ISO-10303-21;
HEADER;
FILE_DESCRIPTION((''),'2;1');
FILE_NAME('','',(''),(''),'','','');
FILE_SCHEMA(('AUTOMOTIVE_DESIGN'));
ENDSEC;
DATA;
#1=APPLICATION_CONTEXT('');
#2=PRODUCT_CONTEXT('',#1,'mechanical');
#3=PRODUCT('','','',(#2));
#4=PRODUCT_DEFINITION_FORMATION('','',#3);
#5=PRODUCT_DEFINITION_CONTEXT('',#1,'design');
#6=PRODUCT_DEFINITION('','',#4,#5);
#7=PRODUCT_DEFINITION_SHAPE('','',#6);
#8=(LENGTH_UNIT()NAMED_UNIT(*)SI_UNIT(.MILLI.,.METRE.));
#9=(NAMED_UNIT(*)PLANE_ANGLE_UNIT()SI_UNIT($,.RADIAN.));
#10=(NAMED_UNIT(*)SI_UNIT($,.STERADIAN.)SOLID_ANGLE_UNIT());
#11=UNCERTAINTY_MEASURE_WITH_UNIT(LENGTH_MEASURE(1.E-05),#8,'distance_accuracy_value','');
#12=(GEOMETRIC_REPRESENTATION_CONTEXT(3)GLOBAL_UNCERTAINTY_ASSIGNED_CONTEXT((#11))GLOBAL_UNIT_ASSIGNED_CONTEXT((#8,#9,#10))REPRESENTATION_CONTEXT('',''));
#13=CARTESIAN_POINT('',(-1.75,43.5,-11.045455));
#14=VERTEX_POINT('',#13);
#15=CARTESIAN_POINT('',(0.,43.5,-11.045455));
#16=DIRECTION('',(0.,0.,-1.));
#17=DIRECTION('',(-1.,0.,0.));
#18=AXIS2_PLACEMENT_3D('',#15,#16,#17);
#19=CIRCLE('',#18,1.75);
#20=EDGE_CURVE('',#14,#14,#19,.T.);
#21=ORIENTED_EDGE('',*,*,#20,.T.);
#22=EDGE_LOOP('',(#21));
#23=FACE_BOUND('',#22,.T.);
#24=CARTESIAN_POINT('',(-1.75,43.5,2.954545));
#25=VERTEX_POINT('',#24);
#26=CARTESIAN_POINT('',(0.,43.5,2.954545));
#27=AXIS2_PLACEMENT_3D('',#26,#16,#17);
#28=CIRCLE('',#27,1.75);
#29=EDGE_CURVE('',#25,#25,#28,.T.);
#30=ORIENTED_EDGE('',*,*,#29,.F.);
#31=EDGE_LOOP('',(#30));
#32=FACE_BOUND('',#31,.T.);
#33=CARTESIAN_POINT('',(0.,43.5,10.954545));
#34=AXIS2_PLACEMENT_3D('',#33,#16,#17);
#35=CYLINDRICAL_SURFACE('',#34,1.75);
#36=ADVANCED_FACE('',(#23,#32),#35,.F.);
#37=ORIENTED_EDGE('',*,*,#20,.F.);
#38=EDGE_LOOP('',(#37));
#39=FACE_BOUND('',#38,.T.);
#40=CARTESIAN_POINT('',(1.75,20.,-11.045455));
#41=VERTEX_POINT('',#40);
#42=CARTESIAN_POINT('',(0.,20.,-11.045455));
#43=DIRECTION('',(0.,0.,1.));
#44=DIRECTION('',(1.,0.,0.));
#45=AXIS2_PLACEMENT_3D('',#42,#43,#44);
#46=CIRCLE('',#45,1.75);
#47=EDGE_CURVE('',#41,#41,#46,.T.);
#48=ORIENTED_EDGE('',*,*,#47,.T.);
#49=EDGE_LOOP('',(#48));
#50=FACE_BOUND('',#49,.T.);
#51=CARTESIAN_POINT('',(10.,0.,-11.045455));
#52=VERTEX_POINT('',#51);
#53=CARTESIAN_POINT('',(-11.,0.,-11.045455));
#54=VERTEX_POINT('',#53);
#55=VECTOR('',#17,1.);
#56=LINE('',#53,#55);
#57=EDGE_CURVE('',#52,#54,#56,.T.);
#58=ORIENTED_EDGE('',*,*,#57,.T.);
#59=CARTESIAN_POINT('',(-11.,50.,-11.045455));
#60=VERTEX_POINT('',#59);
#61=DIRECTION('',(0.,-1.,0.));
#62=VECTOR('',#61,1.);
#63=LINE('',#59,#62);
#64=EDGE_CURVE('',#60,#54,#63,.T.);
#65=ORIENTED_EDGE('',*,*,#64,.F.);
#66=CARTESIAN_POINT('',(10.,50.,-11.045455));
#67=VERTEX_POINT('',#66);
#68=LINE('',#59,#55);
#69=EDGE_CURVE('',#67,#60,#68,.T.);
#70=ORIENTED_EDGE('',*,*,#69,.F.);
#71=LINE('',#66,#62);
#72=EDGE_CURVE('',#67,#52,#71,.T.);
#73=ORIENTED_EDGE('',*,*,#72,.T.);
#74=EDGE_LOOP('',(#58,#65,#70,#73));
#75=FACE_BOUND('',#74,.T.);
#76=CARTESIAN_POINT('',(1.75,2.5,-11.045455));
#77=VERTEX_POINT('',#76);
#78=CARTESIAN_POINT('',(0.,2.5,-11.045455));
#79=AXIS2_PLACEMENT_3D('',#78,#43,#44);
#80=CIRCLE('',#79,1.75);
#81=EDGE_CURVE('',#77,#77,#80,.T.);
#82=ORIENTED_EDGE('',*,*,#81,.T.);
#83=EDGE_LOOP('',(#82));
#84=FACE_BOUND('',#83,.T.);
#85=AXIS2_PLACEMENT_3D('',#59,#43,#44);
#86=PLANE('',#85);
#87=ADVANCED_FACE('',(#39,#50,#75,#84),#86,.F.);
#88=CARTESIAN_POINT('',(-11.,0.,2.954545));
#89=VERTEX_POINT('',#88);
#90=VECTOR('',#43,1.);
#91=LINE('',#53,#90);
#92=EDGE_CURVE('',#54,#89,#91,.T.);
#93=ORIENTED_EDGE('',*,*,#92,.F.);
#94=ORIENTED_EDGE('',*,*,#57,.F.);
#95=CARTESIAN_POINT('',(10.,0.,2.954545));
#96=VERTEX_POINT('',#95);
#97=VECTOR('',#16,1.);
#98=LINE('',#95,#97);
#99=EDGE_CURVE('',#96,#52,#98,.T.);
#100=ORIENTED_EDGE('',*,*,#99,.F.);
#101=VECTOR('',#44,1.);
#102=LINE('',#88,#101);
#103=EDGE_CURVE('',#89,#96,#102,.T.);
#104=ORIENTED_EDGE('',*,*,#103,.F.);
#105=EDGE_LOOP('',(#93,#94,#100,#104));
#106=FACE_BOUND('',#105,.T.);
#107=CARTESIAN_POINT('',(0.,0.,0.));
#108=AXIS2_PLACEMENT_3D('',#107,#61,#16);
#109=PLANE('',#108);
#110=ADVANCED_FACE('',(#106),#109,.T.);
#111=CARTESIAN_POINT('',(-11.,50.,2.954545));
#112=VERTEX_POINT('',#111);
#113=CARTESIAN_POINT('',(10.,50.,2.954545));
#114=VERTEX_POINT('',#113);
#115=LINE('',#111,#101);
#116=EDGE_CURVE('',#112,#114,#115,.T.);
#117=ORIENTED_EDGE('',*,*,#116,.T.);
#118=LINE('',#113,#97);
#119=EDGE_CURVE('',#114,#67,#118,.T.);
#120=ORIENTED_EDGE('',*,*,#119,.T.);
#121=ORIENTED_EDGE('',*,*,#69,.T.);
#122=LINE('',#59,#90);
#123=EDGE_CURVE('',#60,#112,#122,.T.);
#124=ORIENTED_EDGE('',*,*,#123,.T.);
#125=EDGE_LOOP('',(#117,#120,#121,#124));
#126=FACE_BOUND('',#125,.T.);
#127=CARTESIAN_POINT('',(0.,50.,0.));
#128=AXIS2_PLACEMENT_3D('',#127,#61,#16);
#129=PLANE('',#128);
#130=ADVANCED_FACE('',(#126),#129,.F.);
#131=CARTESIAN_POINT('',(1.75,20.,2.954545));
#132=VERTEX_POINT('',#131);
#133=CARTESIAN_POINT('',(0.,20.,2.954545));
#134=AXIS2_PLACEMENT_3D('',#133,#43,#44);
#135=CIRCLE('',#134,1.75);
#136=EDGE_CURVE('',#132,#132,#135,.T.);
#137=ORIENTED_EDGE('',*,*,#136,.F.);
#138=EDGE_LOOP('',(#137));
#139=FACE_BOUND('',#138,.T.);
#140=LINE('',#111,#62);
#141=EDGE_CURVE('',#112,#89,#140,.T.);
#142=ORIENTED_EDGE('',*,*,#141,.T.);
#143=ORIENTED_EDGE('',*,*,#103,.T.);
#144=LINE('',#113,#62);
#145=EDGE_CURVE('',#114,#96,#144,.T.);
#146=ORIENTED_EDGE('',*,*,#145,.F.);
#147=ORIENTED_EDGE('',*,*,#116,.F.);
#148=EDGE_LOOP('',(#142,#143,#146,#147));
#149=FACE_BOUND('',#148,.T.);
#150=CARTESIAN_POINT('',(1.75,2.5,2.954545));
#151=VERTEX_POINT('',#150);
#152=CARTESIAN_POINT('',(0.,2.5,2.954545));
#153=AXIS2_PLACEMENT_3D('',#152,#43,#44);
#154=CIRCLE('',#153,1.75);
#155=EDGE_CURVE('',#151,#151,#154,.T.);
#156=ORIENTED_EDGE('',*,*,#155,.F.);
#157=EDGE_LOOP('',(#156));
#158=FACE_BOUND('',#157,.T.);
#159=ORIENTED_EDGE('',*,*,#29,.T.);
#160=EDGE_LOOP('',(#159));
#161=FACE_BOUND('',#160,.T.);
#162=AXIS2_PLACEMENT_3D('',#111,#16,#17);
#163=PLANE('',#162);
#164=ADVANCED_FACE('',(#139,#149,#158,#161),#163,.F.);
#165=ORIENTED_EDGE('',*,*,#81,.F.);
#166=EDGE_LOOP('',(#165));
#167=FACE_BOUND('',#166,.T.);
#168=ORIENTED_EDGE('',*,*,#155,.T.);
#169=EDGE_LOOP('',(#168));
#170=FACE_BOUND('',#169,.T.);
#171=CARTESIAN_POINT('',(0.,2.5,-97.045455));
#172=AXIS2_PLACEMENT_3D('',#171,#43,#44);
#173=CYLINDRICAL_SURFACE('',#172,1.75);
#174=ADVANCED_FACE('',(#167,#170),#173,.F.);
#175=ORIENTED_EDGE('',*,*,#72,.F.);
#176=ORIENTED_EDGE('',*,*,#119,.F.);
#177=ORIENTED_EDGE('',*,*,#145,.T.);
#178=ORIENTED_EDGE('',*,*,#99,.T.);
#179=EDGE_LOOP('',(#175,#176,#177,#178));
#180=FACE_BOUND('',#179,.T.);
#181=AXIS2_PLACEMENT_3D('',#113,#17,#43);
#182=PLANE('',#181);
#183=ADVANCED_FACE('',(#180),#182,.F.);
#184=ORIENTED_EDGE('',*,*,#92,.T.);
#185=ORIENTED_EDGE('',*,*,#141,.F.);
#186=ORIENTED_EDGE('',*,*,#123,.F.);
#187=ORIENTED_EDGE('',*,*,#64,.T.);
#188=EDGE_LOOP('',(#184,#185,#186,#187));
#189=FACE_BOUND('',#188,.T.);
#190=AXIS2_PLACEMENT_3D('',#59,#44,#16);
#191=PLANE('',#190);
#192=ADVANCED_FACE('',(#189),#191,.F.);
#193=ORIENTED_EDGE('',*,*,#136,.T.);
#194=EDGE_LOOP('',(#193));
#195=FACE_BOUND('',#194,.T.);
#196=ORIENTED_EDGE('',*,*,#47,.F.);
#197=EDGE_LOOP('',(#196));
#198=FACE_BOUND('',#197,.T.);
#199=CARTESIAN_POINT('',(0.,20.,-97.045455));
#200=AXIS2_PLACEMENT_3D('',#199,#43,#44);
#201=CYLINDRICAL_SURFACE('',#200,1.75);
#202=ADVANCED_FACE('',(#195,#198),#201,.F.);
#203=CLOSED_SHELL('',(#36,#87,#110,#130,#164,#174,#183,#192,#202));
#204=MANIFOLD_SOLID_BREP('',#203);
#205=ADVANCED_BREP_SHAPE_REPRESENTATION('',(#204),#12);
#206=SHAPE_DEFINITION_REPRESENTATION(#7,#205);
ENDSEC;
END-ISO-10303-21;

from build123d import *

# Parameters (mm, degrees)
SKETCH1_W           = 21
SKETCH1_H           = 14
BOSS_EXTRUDE1_DEPTH = 50
SKETCH2_R           = 1.75
CUT_EXTRUDE1_DEPTH  = 100
SKETCH3_R           = 1.75
CUT_EXTRUDE2_DEPTH  = 22


with BuildPart() as part:
    # Sketch1 → Boss-Extrude1 (new body)
    with BuildSketch(Plane(origin=(0, 0, 0), x_dir=(1, 0, 0), z_dir=(0, 1, 0))):
        with Locations((-0.5, 4.045454545)):
            Rectangle(SKETCH1_W, SKETCH1_H)
    extrude(amount=BOSS_EXTRUDE1_DEPTH)

    # Sketch2 → Cut-Extrude1 (cut)
    with BuildSketch(Plane.XY.offset(2.954545455)):
        with Locations((0, 2.5)):
            Circle(SKETCH2_R)
        with Locations((0, 20)):
            Circle(SKETCH2_R)
    extrude(amount=-CUT_EXTRUDE1_DEPTH, mode=Mode.SUBTRACT)

    # Sketch3 → Cut-Extrude2 (cut)
    with BuildSketch(Plane(origin=(0, 0, -11.045454545), x_dir=(-1, 0, 0), z_dir=(0, 0, -1))):
        with Locations((0, 43.5)):
            Circle(SKETCH3_R)
    extrude(amount=-CUT_EXTRUDE2_DEPTH, mode=Mode.SUBTRACT)


solid = part.part
